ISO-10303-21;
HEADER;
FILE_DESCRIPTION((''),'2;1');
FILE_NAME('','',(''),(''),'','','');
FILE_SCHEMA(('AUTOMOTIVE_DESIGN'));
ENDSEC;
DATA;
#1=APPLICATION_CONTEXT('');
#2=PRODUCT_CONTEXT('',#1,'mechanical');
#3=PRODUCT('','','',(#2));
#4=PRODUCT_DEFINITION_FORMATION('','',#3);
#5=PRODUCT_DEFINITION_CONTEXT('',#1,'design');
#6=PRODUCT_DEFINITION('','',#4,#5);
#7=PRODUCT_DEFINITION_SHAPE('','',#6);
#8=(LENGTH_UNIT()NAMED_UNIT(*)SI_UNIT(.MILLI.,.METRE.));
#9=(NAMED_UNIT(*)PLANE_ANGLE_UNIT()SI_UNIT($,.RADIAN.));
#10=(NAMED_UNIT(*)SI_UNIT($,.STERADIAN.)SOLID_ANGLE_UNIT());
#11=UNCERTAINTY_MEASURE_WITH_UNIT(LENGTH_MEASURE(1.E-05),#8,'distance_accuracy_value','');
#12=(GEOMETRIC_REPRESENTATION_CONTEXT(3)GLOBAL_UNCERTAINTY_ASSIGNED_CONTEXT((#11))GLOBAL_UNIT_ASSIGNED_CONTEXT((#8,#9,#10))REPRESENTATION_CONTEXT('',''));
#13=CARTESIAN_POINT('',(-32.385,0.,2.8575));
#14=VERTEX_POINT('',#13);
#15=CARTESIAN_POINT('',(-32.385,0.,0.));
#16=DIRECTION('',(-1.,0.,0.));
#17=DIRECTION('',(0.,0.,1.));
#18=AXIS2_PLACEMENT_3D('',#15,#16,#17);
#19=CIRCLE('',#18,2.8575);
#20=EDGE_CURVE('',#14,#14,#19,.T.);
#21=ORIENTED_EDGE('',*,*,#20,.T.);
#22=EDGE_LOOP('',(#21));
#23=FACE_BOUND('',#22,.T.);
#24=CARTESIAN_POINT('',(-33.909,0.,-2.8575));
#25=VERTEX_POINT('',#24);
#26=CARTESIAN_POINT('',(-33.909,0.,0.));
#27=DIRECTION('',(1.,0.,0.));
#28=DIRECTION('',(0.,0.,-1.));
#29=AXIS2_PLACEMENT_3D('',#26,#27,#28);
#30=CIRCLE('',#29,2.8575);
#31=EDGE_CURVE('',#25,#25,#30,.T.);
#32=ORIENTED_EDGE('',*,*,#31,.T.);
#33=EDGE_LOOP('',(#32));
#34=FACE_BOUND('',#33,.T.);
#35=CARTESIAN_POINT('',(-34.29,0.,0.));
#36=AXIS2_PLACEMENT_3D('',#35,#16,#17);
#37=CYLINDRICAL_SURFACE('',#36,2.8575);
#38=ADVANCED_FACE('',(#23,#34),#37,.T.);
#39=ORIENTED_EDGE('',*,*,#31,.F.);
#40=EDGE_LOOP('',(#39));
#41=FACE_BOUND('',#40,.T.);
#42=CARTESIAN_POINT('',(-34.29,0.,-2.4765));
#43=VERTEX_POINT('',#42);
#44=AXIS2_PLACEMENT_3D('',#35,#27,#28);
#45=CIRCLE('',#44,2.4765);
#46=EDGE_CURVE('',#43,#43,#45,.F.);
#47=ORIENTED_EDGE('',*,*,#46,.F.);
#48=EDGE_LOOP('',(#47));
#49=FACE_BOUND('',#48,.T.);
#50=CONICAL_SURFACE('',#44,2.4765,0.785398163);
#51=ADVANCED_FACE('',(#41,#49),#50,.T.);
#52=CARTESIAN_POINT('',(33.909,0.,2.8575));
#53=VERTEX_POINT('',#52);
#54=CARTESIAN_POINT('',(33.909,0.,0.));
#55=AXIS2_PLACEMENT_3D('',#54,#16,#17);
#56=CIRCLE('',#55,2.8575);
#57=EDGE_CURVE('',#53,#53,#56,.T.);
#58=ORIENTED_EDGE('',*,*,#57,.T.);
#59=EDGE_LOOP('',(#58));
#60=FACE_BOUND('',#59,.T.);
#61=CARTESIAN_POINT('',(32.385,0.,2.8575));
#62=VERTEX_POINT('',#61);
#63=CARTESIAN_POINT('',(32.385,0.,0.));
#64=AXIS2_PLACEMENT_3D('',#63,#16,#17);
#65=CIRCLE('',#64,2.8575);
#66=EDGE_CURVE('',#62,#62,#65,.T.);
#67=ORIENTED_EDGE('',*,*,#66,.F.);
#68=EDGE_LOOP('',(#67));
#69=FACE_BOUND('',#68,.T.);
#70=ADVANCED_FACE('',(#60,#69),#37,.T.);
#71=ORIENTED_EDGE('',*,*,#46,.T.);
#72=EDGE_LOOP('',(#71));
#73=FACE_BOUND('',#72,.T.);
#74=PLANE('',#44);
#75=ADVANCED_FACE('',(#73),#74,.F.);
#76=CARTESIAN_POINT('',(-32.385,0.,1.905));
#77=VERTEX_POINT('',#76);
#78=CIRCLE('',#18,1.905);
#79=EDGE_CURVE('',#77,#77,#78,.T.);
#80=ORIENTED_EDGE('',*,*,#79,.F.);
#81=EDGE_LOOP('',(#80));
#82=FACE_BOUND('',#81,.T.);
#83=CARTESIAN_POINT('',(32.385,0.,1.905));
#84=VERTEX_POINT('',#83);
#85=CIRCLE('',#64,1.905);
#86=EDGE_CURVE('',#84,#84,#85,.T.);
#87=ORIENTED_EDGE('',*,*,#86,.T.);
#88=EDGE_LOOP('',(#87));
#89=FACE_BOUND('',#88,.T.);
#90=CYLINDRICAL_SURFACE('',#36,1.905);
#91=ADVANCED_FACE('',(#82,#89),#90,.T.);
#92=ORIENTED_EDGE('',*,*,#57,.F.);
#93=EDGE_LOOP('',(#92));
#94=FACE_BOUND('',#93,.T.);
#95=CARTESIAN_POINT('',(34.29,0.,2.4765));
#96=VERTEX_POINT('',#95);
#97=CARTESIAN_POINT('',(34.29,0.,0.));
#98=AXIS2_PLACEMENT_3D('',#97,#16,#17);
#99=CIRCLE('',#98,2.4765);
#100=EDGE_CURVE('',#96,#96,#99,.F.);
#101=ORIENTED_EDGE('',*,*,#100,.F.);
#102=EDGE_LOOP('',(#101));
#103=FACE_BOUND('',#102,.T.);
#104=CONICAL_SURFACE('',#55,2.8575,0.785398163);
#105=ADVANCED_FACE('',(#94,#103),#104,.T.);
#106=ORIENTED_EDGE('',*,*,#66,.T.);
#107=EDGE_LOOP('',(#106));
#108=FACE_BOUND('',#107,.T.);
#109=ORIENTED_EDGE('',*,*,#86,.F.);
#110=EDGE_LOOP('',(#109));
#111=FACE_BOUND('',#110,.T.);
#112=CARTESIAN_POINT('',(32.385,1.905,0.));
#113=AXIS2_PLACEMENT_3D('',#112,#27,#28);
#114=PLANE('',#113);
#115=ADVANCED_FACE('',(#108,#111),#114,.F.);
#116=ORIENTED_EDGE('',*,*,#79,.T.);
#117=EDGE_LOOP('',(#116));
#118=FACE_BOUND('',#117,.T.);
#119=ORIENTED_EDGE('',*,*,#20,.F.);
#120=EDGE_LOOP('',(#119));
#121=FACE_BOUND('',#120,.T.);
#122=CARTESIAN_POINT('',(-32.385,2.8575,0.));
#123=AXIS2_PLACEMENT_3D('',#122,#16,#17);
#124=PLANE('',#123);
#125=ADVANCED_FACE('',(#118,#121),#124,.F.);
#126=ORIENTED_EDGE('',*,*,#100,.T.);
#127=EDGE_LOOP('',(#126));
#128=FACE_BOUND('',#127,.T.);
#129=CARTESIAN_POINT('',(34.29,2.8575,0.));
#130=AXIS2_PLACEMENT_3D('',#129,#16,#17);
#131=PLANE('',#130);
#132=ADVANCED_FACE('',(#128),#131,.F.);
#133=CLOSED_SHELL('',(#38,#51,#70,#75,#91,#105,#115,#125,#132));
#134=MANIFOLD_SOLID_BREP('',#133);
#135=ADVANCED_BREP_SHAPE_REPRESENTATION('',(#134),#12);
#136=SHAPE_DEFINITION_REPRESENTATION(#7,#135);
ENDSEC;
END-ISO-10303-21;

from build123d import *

# Parameters (mm, degrees)
CHAMFER1_SIZE = 0.254
SCALE1_SCALE  = 1.5


with BuildPart() as part:
    # Sketch1 → Revolve1 (revolve)
    with BuildSketch(Plane.XY, mode=Mode.PRIVATE) as revolve1_sk:
        Polygon((-22.86, 0), (-22.86, 1.905), (-21.59, 1.905), (-21.59, 1.27), (21.59, 1.27), (21.59, 1.905), (22.86, 1.905), (22.86, 0), align=None)
    revolve(revolve1_sk.sketch.rotate(Axis((-22.86, 0, 0), (1, 0, 0)), 90), axis=Axis((-22.86, 0, 0), (1, 0, 0)))

    # Chamfer1
    chamfer1_edges = [part.edges().sort_by_distance(p)[0] for p in [
        (22.86, 0, -1.905),
        (-22.86, 0, -1.905),
    ]]
    chamfer(chamfer1_edges, length=CHAMFER1_SIZE)


with BuildPart() as part_1:
    # Scale1: scaled about (0, 0, 0)
    add(part.part.scale(SCALE1_SCALE))


solid = part_1.part
